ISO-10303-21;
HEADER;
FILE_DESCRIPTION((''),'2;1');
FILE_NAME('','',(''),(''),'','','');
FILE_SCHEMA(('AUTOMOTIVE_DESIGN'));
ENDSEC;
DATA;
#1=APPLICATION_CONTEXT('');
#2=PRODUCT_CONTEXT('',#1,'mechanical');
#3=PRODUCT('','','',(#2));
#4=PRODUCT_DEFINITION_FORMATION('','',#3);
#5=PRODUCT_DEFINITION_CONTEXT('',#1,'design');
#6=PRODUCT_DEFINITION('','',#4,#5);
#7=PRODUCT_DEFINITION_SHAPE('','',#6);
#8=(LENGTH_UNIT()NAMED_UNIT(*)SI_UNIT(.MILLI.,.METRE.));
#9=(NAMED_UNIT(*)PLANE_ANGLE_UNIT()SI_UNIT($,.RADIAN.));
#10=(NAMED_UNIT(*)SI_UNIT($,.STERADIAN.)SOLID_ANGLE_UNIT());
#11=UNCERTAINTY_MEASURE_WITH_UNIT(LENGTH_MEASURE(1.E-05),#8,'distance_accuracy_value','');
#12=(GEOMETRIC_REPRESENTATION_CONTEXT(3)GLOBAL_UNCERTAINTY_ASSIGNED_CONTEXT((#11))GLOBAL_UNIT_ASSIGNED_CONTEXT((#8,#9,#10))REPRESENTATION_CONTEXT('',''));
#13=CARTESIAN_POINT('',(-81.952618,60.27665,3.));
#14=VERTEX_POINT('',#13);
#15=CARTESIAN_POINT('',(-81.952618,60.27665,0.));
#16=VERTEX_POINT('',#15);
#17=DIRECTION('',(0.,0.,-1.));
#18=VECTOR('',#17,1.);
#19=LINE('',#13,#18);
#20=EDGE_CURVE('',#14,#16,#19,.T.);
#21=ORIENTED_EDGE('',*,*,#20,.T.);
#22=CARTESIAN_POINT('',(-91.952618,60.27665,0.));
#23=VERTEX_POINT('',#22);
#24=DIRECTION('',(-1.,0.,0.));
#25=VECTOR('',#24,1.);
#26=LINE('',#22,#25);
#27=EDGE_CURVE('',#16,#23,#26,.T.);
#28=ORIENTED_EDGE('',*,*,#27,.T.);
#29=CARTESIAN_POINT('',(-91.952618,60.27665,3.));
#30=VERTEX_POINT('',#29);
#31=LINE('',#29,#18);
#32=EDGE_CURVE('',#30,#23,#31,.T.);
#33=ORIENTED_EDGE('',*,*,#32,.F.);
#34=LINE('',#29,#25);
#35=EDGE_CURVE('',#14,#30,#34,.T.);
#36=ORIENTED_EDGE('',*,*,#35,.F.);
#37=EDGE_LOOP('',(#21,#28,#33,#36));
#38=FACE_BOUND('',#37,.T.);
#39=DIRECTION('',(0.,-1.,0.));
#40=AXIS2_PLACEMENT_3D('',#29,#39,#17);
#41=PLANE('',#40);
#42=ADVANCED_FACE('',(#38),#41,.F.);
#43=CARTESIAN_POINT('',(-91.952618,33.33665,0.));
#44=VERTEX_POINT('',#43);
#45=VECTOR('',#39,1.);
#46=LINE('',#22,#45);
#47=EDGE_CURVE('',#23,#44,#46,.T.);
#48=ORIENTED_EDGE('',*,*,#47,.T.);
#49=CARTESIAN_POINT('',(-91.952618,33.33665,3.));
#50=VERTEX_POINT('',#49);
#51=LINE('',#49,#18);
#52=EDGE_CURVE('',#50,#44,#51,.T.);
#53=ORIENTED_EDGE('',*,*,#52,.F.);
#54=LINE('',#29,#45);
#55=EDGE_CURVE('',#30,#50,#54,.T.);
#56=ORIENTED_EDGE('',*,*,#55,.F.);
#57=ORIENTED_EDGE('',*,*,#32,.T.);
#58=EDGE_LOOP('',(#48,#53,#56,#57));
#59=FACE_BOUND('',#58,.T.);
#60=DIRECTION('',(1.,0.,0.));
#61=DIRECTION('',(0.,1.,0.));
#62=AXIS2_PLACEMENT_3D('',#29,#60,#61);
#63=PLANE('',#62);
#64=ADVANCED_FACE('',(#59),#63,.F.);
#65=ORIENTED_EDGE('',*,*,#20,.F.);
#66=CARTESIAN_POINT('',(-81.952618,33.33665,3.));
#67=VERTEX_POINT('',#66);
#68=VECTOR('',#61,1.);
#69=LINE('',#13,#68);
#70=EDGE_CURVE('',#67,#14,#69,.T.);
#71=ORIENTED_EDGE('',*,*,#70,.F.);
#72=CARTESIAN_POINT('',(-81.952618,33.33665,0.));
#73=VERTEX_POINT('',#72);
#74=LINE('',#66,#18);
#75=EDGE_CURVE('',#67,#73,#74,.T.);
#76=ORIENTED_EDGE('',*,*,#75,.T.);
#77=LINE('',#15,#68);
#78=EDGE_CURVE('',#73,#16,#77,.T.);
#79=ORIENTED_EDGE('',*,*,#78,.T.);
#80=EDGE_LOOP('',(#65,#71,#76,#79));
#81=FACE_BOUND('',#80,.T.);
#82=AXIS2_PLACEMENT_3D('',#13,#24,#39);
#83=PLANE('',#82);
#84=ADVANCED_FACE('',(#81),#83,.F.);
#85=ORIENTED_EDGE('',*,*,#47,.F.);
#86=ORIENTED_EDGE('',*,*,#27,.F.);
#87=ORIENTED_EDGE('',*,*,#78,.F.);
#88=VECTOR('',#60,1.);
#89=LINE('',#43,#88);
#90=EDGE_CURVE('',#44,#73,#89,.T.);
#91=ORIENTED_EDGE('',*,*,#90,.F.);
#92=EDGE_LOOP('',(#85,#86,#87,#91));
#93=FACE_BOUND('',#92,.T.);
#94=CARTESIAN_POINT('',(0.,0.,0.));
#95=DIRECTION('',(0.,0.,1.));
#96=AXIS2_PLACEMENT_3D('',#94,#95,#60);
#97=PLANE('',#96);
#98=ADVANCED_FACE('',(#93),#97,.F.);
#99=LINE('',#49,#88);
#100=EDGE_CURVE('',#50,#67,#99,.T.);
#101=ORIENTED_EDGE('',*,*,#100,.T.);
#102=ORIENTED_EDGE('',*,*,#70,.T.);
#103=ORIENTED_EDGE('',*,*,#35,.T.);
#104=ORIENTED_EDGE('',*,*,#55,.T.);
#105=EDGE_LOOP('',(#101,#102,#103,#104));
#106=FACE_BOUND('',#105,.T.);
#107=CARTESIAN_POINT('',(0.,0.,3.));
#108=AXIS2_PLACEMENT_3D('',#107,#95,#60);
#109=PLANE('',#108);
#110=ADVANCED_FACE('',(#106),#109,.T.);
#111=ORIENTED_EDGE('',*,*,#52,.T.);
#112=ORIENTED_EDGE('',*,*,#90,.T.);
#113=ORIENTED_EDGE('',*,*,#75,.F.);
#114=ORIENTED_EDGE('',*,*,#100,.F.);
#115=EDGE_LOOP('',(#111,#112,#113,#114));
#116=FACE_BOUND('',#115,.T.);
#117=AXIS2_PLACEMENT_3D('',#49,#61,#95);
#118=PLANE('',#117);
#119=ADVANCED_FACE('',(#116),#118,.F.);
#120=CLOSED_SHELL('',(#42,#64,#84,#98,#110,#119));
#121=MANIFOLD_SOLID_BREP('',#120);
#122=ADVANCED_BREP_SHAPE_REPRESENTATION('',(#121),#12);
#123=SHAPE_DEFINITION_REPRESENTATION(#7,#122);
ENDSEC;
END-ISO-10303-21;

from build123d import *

# Parameters (mm, degrees)
ESQUISSE1_W        = 10
ESQUISSE1_H        = 26.94
BOSS_EXTRU_1_DEPTH = 3


with BuildPart() as part:
    # Esquisse1 → Boss.-Extru.1 (new body)
    with BuildSketch(Plane.XY):
        with Locations((-86.952618127, 46.806649746)):
            Rectangle(ESQUISSE1_W, ESQUISSE1_H)
    extrude(amount=BOSS_EXTRU_1_DEPTH)


solid = part.part
